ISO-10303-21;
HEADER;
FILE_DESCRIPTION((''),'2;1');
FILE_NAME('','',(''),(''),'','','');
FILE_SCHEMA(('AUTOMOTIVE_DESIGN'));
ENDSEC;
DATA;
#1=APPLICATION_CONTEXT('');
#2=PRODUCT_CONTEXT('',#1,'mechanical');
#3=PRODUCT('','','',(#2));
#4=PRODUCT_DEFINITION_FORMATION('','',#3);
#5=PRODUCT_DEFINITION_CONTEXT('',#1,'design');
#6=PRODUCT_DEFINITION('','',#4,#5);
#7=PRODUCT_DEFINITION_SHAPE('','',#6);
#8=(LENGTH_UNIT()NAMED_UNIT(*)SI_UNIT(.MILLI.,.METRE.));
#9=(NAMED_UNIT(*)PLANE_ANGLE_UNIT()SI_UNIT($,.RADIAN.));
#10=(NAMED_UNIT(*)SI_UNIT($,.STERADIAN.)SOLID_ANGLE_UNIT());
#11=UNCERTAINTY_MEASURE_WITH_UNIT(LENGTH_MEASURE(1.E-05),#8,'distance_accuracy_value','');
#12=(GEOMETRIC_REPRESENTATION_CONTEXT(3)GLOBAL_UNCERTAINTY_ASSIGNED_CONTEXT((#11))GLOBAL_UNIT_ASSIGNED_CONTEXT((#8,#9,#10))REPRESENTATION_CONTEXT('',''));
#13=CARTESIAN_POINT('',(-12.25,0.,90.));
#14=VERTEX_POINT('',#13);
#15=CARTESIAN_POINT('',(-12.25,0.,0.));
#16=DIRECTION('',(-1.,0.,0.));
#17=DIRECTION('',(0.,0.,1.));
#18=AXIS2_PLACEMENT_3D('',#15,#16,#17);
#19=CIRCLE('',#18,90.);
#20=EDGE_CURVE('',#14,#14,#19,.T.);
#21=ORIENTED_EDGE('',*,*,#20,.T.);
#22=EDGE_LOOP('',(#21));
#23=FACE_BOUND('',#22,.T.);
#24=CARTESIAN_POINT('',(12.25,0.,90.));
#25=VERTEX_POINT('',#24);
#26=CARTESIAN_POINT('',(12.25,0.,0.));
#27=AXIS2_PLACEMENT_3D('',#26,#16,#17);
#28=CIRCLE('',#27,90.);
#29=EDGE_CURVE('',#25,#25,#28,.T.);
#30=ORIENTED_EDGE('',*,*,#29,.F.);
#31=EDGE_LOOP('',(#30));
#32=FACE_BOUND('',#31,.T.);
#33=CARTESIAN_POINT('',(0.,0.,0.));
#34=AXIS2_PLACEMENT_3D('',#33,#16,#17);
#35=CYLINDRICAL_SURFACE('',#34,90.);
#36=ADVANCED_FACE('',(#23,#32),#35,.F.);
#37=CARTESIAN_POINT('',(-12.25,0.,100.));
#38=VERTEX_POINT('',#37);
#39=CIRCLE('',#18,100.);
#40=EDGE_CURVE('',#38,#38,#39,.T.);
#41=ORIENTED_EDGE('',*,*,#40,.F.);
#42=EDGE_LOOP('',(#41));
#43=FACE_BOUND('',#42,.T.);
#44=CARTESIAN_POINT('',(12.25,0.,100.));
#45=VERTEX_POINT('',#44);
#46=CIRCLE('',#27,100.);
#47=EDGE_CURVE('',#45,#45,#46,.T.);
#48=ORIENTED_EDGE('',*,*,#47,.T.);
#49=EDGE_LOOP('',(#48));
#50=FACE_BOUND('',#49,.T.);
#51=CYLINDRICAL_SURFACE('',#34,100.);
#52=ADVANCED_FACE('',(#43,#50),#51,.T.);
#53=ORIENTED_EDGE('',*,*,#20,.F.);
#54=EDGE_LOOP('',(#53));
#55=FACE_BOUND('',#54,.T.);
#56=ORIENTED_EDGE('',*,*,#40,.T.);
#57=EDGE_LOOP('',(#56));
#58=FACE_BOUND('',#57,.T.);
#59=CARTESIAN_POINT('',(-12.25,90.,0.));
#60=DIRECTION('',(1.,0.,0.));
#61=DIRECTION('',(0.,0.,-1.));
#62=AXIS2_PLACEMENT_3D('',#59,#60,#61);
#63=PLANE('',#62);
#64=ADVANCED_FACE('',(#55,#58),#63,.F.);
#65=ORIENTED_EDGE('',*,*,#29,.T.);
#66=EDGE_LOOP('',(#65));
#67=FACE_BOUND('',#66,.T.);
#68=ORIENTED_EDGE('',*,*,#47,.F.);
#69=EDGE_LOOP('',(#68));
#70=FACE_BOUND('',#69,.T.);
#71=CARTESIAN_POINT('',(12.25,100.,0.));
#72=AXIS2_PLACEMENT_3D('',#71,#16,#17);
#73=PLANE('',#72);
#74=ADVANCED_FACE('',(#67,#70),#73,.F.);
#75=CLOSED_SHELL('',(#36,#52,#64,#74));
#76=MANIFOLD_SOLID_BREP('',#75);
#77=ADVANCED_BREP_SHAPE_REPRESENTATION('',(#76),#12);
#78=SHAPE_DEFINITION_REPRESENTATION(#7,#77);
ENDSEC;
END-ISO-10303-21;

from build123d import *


with BuildPart() as part:
    # Sketch1 → Revolve1 (revolve)
    with BuildSketch(Plane.XY, mode=Mode.PRIVATE) as revolve1_sk:
        Polygon((0, 90), (12.25, 90), (12.25, 100), (-12.25, 100), (-12.25, 90), align=None)
    revolve(revolve1_sk.sketch.rotate(Axis((0, 0, 0), (1, 0, 0)), 90), axis=Axis((0, 0, 0), (1, 0, 0)))


solid = part.part
